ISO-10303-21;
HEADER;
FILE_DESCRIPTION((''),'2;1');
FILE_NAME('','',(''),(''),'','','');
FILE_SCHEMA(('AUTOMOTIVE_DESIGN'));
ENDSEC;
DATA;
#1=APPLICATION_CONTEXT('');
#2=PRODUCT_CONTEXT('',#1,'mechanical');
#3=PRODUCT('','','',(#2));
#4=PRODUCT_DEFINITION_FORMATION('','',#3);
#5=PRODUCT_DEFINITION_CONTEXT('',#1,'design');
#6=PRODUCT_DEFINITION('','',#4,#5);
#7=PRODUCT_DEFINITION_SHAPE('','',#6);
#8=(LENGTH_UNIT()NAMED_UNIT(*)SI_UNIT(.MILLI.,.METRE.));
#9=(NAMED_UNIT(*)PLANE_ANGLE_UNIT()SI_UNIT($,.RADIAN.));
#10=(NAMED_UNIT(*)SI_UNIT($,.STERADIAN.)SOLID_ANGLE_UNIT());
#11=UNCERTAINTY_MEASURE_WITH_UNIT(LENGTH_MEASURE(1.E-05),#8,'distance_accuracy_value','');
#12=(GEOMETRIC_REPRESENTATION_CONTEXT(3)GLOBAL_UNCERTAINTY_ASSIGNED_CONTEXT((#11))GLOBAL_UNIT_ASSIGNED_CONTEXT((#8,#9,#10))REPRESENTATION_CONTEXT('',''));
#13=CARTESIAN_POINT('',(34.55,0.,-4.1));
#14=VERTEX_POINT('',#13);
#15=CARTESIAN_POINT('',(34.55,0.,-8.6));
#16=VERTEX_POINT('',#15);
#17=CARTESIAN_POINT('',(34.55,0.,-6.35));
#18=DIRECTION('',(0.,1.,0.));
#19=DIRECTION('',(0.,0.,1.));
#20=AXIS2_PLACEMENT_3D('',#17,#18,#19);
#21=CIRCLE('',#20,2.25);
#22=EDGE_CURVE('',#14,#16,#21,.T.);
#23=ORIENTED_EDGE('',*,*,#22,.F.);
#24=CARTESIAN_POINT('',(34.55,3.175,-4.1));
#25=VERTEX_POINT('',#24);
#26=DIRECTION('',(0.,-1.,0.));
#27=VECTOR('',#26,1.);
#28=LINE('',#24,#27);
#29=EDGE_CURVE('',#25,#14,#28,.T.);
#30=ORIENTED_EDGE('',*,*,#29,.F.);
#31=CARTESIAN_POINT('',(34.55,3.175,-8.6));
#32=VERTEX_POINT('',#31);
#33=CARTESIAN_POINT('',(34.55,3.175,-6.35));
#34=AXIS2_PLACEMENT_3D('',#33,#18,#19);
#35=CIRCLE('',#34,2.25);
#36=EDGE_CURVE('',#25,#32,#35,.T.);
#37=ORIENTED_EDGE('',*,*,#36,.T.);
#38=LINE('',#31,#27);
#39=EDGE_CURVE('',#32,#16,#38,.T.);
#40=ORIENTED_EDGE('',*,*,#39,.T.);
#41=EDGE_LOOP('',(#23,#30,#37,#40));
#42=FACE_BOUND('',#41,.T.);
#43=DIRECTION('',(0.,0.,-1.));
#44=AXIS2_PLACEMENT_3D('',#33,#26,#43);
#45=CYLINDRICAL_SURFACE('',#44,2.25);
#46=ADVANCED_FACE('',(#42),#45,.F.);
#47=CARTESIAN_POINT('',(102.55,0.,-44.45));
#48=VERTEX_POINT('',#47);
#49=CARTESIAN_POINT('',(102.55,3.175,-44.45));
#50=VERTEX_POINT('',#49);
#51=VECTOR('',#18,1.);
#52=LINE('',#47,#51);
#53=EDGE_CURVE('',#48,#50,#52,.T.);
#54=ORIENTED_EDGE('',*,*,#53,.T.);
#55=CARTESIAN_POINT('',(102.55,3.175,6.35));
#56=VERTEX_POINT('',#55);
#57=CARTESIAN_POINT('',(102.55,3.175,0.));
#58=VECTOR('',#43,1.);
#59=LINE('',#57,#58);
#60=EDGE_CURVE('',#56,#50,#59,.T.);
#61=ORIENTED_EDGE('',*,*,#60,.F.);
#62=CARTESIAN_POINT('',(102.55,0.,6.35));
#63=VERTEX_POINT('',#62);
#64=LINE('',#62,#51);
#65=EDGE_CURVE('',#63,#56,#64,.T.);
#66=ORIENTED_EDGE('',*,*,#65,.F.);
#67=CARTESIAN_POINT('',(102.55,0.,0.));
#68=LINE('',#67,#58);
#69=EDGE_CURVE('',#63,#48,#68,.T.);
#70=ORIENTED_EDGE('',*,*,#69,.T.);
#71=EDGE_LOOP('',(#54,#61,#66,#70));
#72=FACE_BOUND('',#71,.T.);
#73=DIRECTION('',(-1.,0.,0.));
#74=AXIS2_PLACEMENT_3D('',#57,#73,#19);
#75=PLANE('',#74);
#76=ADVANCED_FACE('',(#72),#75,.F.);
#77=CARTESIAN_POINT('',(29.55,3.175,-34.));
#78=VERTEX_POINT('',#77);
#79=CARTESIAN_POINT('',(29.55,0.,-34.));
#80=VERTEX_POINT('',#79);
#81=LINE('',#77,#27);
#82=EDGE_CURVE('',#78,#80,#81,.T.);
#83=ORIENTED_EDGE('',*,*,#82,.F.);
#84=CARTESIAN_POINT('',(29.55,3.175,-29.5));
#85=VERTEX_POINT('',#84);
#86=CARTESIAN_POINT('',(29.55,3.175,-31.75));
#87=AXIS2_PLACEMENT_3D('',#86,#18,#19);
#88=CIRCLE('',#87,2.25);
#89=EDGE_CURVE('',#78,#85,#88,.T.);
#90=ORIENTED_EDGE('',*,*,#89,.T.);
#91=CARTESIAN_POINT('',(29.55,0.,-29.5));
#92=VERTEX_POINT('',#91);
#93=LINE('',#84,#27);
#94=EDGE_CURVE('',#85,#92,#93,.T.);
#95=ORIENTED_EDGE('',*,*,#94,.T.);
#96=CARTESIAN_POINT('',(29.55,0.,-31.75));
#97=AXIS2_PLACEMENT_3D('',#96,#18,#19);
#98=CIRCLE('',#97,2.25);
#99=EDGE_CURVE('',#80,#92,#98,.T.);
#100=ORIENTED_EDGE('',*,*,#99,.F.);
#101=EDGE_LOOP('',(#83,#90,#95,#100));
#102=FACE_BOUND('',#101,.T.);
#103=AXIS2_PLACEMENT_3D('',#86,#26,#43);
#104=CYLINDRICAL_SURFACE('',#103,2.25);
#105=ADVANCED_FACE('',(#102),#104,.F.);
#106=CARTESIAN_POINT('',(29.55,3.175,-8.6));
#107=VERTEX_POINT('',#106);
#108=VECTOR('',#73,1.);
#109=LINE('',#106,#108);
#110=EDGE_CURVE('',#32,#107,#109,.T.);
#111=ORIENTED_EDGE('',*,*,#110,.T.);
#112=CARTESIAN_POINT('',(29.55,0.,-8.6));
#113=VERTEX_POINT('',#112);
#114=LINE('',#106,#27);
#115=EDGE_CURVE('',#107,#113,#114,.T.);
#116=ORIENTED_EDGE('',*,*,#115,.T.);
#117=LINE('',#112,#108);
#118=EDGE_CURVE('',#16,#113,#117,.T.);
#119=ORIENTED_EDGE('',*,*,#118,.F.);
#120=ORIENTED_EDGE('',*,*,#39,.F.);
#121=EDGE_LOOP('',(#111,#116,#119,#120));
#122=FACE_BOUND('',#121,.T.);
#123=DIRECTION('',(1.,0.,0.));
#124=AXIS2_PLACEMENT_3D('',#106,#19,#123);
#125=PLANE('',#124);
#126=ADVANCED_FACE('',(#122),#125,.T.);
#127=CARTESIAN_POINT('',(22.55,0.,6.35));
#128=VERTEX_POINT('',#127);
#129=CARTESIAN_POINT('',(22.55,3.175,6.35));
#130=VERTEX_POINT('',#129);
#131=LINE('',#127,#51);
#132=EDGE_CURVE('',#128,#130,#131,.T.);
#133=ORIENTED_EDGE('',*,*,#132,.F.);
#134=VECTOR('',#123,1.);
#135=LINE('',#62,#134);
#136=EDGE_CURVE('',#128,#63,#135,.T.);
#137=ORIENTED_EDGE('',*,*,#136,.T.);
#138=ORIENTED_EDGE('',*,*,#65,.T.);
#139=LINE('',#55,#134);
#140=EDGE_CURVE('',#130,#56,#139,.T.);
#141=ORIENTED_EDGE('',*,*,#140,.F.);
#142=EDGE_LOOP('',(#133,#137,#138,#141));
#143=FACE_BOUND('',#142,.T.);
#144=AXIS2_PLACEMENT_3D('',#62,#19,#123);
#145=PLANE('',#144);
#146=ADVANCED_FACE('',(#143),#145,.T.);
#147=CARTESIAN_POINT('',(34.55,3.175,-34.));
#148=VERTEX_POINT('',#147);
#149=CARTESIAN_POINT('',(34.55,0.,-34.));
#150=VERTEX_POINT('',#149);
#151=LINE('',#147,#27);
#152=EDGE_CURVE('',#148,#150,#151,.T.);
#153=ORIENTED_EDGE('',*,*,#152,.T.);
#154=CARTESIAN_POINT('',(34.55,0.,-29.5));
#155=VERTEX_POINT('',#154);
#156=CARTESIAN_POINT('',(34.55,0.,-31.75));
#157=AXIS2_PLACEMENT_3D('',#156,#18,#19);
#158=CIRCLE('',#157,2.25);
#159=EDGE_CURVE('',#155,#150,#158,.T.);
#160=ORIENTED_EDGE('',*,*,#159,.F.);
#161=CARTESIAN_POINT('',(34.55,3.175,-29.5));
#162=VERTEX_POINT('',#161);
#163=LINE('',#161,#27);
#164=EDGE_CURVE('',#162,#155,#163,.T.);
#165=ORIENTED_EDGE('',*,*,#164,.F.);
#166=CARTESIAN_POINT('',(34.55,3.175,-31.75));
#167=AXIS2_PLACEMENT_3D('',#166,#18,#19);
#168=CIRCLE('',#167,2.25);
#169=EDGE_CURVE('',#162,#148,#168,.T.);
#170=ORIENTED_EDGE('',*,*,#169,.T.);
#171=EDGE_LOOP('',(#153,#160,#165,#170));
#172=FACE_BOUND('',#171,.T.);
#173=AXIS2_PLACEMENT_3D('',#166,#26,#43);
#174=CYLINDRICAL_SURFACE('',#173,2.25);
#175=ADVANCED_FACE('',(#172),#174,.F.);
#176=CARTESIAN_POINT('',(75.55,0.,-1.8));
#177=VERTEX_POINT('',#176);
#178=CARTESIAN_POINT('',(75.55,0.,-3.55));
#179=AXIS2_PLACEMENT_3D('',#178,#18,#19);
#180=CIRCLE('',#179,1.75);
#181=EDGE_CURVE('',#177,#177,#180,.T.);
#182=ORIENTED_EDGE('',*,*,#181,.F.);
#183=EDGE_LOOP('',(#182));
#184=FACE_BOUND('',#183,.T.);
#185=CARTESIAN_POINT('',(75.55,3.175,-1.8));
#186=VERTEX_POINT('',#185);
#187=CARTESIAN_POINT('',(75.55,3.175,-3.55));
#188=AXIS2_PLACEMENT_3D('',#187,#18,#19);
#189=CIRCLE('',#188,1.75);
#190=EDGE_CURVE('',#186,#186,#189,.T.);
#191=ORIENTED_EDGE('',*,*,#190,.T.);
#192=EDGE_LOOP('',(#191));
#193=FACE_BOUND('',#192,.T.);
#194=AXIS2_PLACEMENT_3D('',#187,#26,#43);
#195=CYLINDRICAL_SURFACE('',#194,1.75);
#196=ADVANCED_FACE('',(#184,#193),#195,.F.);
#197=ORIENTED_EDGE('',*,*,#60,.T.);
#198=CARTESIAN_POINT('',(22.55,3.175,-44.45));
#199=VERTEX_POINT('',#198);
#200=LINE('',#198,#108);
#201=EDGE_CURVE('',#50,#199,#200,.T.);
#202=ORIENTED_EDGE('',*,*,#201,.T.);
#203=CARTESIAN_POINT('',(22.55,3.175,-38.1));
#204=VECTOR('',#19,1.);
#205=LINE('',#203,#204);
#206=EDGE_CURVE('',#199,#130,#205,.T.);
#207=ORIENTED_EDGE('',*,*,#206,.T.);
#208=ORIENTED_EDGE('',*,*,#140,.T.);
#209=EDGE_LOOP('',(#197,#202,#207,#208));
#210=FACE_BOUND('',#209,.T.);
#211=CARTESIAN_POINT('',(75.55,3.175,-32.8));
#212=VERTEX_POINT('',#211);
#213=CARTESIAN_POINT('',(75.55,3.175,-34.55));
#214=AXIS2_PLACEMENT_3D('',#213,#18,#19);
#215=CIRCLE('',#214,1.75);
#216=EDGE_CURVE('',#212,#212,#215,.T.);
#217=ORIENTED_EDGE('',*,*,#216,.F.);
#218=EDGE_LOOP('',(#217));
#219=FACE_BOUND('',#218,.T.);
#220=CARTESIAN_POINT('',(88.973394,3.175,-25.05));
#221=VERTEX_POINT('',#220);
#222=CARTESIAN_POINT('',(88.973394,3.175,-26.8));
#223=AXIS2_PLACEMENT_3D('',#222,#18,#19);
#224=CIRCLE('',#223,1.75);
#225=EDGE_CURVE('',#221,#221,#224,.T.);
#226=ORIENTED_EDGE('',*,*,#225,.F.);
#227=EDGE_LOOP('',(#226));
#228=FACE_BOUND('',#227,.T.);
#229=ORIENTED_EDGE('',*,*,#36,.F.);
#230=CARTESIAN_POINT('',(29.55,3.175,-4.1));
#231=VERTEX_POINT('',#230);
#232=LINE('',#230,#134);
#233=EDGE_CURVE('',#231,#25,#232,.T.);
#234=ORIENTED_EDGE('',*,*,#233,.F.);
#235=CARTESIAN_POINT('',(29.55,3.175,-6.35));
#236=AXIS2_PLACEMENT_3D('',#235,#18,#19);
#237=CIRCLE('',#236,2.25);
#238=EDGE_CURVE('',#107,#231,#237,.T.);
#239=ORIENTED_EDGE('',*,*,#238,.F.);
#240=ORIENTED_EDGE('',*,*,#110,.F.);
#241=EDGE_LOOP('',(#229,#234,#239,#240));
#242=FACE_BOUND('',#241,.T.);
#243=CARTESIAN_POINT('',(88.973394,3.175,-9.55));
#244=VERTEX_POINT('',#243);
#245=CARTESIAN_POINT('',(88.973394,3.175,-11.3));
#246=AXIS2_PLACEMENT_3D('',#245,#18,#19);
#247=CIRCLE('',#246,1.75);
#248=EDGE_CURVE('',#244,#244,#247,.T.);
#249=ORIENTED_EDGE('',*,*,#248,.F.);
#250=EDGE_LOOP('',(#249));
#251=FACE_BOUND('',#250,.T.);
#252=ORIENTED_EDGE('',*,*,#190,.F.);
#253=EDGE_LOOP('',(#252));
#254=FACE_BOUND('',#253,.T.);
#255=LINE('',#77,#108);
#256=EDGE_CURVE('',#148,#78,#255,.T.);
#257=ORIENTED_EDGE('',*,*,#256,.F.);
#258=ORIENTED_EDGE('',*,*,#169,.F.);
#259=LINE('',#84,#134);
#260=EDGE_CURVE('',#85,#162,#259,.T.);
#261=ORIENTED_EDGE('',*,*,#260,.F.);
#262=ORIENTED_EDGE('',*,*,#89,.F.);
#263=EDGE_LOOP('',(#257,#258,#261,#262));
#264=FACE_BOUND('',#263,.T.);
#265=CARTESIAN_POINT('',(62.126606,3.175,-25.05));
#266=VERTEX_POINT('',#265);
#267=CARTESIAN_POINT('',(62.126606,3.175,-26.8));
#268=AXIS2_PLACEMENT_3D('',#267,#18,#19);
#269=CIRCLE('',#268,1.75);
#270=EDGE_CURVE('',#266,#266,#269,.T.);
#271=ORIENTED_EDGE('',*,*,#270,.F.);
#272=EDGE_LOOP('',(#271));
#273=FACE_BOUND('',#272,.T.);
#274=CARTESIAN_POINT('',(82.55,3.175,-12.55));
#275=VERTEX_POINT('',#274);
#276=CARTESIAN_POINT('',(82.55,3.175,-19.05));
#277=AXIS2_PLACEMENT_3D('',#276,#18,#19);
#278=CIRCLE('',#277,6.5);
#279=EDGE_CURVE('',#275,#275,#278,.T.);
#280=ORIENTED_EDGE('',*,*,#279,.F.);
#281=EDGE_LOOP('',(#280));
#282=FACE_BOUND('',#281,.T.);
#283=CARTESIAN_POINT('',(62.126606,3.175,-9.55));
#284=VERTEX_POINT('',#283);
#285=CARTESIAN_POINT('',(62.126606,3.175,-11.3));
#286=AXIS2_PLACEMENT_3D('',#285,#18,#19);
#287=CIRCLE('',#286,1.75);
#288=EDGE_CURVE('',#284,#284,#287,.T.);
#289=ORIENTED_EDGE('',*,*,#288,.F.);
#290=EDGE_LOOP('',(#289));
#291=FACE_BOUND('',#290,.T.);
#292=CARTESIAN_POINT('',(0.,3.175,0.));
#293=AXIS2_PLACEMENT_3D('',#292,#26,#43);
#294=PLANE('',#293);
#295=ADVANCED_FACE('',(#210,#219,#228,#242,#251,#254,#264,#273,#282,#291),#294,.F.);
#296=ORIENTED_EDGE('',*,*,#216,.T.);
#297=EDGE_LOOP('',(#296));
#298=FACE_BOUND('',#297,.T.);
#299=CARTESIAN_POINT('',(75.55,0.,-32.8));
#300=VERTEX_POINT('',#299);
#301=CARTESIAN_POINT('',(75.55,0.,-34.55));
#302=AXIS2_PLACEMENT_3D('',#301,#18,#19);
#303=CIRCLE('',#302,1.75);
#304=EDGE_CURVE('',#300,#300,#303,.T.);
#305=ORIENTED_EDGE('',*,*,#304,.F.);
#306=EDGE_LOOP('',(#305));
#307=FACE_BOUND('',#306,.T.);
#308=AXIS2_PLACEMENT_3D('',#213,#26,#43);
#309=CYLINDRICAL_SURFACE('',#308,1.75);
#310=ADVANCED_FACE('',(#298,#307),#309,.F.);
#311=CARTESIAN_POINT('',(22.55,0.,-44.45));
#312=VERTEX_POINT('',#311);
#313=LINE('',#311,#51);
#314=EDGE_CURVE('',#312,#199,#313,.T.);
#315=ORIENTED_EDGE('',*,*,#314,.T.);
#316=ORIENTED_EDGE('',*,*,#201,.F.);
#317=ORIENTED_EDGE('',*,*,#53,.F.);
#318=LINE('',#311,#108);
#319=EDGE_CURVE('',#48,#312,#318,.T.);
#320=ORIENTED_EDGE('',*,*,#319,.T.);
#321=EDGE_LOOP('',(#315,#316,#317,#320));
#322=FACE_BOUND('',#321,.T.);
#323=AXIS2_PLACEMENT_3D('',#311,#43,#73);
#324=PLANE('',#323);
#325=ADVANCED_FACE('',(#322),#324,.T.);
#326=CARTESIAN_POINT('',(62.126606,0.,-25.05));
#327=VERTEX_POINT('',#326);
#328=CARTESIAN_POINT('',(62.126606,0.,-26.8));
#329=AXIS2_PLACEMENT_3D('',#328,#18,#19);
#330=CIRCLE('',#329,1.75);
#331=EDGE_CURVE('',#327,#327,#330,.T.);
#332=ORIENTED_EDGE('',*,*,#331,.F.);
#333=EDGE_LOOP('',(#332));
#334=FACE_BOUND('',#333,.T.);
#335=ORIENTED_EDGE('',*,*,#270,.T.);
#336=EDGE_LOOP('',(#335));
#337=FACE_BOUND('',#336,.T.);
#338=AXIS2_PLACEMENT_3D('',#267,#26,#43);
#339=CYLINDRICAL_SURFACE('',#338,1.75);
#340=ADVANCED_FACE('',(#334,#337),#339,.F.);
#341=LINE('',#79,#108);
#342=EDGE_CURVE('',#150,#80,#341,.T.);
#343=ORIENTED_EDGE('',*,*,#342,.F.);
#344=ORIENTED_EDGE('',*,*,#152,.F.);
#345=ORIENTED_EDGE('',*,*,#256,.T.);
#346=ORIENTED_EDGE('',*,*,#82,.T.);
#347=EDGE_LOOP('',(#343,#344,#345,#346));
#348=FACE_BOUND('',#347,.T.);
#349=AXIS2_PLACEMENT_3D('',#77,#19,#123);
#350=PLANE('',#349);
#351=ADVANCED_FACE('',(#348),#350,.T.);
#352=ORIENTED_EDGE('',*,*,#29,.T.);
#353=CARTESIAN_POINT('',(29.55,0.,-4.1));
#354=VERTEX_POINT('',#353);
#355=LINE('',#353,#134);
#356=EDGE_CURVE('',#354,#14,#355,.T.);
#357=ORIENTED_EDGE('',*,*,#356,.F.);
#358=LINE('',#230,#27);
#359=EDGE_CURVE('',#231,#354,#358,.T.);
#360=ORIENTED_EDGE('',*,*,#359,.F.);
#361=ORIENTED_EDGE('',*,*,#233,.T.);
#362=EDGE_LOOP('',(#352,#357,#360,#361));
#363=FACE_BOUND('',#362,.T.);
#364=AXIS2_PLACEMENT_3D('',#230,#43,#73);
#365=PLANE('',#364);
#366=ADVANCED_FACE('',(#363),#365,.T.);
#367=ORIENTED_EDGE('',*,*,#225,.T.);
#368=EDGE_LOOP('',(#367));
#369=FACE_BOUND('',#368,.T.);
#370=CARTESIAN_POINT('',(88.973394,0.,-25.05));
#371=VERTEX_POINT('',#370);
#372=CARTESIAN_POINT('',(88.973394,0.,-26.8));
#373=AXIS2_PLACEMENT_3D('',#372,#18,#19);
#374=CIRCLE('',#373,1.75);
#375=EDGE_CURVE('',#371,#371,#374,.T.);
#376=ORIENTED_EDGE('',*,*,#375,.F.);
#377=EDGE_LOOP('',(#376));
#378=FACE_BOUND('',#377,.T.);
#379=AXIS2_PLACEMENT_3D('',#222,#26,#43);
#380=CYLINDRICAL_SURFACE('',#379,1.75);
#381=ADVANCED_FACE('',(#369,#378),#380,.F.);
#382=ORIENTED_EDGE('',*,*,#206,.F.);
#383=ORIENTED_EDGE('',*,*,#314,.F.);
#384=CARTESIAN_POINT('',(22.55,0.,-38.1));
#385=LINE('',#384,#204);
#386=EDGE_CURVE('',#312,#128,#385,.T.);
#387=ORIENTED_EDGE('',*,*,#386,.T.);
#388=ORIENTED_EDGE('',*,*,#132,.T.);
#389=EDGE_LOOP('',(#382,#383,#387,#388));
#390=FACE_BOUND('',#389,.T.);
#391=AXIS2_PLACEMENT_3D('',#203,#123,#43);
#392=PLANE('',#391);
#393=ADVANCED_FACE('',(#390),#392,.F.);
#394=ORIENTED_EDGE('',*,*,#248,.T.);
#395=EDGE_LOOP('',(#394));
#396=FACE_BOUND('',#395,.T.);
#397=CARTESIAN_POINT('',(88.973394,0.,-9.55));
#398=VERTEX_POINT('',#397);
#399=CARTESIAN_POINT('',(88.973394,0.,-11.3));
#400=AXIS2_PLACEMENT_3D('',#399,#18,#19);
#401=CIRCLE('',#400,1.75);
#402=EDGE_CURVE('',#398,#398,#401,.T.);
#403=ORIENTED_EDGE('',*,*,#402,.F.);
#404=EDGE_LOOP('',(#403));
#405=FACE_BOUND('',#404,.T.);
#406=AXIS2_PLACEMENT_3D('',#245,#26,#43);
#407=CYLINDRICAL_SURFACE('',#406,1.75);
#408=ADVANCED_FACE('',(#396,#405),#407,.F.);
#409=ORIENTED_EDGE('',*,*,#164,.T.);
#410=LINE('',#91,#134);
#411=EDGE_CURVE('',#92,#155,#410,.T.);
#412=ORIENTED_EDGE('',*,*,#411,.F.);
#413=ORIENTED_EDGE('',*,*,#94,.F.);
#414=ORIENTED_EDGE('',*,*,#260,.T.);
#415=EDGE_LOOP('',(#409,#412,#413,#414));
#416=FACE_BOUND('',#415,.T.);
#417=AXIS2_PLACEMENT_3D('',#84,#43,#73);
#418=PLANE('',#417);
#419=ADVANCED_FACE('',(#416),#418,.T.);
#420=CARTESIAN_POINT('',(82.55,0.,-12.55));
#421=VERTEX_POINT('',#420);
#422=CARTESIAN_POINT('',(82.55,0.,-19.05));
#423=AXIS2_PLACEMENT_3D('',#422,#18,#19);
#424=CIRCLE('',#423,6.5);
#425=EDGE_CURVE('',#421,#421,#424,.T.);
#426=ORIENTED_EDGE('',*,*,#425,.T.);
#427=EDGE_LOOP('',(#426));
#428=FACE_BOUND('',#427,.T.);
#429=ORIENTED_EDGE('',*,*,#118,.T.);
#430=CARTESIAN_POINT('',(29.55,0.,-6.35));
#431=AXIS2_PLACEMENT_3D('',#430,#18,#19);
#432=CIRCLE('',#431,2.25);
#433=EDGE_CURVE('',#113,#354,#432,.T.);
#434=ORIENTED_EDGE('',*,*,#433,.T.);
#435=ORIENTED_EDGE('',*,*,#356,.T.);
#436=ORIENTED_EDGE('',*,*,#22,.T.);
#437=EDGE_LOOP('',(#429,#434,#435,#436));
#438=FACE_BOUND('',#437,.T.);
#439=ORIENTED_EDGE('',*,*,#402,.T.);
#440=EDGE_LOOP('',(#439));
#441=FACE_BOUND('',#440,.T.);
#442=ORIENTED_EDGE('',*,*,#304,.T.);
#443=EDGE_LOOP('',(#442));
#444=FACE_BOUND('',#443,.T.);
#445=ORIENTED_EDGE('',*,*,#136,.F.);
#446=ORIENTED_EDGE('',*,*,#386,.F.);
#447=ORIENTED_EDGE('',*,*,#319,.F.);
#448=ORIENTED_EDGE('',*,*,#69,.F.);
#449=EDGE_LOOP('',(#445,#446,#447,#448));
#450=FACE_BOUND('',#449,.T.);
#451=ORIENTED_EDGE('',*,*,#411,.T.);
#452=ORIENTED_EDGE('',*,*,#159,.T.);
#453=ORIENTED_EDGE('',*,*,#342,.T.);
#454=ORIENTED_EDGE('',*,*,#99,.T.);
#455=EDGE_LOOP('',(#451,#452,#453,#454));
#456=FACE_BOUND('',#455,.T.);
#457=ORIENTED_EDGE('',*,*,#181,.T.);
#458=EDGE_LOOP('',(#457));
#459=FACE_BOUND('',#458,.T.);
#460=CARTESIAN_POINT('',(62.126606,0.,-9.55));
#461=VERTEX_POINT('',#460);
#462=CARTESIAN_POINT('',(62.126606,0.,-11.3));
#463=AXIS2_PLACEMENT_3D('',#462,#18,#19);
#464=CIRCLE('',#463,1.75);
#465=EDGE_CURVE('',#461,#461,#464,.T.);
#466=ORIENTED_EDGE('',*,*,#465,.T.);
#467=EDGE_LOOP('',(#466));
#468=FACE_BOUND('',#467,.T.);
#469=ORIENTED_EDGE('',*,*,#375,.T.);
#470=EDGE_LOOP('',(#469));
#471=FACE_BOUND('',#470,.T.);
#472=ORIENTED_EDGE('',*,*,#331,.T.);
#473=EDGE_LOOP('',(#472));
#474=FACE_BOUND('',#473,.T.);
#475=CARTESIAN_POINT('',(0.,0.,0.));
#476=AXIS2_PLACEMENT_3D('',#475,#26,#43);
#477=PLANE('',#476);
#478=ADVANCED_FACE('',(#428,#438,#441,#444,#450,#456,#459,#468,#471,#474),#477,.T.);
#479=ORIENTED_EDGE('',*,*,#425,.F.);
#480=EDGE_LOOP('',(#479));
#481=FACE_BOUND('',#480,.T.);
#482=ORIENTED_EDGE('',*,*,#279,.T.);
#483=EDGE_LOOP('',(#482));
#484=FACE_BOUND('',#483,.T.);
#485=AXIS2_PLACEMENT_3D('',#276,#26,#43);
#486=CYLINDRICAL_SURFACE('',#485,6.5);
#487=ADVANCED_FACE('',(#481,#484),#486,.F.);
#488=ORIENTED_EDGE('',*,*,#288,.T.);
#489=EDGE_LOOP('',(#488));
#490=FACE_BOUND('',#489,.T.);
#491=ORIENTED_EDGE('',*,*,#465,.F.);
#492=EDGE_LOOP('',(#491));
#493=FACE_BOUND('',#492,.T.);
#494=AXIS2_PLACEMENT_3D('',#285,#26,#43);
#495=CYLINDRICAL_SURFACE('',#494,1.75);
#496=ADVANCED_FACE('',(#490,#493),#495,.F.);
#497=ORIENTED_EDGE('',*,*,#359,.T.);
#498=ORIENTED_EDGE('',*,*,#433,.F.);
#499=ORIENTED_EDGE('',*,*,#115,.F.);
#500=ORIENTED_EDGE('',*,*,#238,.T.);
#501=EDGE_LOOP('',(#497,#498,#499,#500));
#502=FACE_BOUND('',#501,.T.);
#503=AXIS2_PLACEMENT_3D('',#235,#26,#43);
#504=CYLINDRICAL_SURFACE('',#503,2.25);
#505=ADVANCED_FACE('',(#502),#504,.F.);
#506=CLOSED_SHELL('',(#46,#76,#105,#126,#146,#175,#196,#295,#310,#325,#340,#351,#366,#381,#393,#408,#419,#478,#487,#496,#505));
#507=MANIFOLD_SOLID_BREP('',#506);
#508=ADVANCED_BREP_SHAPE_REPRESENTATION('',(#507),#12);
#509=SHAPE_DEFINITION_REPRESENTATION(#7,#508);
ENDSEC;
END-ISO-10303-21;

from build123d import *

# Parameters (mm, degrees)
SKETCH1_W           = 80
SKETCH1_H           = 38.1
SKETCH1_R           = 6.5
SKETCH1_R_2         = 1.75
BOSS_EXTRUDE1_DEPTH = 3.175
SKETCH2_W           = 80
SKETCH2_H           = 6.35
BOSS_EXTRUDE2_DEPTH = 3.175


with BuildPart() as part:
    # Sketch1 → Boss-Extrude1 (new body)
    with BuildSketch(Plane(origin=(0, 0, 0), x_dir=(1, 0, 0), z_dir=(0, 1, 0))):
        with Locations((62.55, 19.05)):
            Rectangle(SKETCH1_W, SKETCH1_H)
        with Locations(Location((82.55, 19.05, 0), (0, 0, 270))):
            Circle(SKETCH1_R, mode=Mode.SUBTRACT)
        with Locations(Location((75.55, 34.55, 0), (0, 0, 270))):
            Circle(SKETCH1_R_2, mode=Mode.SUBTRACT)
        with Locations(Location((88.973393759, 26.8, 0), (0, 0, 270))):
            Circle(SKETCH1_R_2, mode=Mode.SUBTRACT)
        with Locations(Location((88.973393759, 11.3, 0), (0, 0, 270))):
            Circle(SKETCH1_R_2, mode=Mode.SUBTRACT)
        with Locations(Location((75.55, 3.55, 0), (0, 0, 270))):
            Circle(SKETCH1_R_2, mode=Mode.SUBTRACT)
        with Locations(Location((62.126606241, 11.3, 0), (0, 0, 270))):
            Circle(SKETCH1_R_2, mode=Mode.SUBTRACT)
        with Locations(Location((62.126606241, 26.8, 0), (0, 0, 270))):
            Circle(SKETCH1_R_2, mode=Mode.SUBTRACT)
        with BuildLine():
            Line((29.55, 29.5), (34.55, 29.5))
            ThreePointArc((34.55, 29.5), (36.8, 31.75), (34.55, 34))
            Line((34.55, 34), (29.55, 34))
            ThreePointArc((29.55, 34), (27.3, 31.75), (29.55, 29.5))
        make_face(mode=Mode.SUBTRACT)
        with BuildLine():
            Line((29.55, 4.1), (34.55, 4.1))
            ThreePointArc((34.55, 4.1), (36.8, 6.35), (34.55, 8.6))
            Line((34.55, 8.6), (29.55, 8.6))
            ThreePointArc((29.55, 8.6), (27.3, 6.35), (29.55, 4.1))
        make_face(mode=Mode.SUBTRACT)
    extrude(amount=BOSS_EXTRUDE1_DEPTH)

    # Sketch2 → Boss-Extrude2 (add)
    with BuildSketch(Plane(origin=(0, 3.175, 0), x_dir=(1, 0, 0), z_dir=(0, 1, 0))):
        with Locations((62.55, 41.275)):
            Rectangle(SKETCH2_W, SKETCH2_H)
        with Locations((62.55, -3.175)):
            Rectangle(SKETCH2_W, SKETCH2_H)
    extrude(amount=-BOSS_EXTRUDE2_DEPTH)


solid = part.part
